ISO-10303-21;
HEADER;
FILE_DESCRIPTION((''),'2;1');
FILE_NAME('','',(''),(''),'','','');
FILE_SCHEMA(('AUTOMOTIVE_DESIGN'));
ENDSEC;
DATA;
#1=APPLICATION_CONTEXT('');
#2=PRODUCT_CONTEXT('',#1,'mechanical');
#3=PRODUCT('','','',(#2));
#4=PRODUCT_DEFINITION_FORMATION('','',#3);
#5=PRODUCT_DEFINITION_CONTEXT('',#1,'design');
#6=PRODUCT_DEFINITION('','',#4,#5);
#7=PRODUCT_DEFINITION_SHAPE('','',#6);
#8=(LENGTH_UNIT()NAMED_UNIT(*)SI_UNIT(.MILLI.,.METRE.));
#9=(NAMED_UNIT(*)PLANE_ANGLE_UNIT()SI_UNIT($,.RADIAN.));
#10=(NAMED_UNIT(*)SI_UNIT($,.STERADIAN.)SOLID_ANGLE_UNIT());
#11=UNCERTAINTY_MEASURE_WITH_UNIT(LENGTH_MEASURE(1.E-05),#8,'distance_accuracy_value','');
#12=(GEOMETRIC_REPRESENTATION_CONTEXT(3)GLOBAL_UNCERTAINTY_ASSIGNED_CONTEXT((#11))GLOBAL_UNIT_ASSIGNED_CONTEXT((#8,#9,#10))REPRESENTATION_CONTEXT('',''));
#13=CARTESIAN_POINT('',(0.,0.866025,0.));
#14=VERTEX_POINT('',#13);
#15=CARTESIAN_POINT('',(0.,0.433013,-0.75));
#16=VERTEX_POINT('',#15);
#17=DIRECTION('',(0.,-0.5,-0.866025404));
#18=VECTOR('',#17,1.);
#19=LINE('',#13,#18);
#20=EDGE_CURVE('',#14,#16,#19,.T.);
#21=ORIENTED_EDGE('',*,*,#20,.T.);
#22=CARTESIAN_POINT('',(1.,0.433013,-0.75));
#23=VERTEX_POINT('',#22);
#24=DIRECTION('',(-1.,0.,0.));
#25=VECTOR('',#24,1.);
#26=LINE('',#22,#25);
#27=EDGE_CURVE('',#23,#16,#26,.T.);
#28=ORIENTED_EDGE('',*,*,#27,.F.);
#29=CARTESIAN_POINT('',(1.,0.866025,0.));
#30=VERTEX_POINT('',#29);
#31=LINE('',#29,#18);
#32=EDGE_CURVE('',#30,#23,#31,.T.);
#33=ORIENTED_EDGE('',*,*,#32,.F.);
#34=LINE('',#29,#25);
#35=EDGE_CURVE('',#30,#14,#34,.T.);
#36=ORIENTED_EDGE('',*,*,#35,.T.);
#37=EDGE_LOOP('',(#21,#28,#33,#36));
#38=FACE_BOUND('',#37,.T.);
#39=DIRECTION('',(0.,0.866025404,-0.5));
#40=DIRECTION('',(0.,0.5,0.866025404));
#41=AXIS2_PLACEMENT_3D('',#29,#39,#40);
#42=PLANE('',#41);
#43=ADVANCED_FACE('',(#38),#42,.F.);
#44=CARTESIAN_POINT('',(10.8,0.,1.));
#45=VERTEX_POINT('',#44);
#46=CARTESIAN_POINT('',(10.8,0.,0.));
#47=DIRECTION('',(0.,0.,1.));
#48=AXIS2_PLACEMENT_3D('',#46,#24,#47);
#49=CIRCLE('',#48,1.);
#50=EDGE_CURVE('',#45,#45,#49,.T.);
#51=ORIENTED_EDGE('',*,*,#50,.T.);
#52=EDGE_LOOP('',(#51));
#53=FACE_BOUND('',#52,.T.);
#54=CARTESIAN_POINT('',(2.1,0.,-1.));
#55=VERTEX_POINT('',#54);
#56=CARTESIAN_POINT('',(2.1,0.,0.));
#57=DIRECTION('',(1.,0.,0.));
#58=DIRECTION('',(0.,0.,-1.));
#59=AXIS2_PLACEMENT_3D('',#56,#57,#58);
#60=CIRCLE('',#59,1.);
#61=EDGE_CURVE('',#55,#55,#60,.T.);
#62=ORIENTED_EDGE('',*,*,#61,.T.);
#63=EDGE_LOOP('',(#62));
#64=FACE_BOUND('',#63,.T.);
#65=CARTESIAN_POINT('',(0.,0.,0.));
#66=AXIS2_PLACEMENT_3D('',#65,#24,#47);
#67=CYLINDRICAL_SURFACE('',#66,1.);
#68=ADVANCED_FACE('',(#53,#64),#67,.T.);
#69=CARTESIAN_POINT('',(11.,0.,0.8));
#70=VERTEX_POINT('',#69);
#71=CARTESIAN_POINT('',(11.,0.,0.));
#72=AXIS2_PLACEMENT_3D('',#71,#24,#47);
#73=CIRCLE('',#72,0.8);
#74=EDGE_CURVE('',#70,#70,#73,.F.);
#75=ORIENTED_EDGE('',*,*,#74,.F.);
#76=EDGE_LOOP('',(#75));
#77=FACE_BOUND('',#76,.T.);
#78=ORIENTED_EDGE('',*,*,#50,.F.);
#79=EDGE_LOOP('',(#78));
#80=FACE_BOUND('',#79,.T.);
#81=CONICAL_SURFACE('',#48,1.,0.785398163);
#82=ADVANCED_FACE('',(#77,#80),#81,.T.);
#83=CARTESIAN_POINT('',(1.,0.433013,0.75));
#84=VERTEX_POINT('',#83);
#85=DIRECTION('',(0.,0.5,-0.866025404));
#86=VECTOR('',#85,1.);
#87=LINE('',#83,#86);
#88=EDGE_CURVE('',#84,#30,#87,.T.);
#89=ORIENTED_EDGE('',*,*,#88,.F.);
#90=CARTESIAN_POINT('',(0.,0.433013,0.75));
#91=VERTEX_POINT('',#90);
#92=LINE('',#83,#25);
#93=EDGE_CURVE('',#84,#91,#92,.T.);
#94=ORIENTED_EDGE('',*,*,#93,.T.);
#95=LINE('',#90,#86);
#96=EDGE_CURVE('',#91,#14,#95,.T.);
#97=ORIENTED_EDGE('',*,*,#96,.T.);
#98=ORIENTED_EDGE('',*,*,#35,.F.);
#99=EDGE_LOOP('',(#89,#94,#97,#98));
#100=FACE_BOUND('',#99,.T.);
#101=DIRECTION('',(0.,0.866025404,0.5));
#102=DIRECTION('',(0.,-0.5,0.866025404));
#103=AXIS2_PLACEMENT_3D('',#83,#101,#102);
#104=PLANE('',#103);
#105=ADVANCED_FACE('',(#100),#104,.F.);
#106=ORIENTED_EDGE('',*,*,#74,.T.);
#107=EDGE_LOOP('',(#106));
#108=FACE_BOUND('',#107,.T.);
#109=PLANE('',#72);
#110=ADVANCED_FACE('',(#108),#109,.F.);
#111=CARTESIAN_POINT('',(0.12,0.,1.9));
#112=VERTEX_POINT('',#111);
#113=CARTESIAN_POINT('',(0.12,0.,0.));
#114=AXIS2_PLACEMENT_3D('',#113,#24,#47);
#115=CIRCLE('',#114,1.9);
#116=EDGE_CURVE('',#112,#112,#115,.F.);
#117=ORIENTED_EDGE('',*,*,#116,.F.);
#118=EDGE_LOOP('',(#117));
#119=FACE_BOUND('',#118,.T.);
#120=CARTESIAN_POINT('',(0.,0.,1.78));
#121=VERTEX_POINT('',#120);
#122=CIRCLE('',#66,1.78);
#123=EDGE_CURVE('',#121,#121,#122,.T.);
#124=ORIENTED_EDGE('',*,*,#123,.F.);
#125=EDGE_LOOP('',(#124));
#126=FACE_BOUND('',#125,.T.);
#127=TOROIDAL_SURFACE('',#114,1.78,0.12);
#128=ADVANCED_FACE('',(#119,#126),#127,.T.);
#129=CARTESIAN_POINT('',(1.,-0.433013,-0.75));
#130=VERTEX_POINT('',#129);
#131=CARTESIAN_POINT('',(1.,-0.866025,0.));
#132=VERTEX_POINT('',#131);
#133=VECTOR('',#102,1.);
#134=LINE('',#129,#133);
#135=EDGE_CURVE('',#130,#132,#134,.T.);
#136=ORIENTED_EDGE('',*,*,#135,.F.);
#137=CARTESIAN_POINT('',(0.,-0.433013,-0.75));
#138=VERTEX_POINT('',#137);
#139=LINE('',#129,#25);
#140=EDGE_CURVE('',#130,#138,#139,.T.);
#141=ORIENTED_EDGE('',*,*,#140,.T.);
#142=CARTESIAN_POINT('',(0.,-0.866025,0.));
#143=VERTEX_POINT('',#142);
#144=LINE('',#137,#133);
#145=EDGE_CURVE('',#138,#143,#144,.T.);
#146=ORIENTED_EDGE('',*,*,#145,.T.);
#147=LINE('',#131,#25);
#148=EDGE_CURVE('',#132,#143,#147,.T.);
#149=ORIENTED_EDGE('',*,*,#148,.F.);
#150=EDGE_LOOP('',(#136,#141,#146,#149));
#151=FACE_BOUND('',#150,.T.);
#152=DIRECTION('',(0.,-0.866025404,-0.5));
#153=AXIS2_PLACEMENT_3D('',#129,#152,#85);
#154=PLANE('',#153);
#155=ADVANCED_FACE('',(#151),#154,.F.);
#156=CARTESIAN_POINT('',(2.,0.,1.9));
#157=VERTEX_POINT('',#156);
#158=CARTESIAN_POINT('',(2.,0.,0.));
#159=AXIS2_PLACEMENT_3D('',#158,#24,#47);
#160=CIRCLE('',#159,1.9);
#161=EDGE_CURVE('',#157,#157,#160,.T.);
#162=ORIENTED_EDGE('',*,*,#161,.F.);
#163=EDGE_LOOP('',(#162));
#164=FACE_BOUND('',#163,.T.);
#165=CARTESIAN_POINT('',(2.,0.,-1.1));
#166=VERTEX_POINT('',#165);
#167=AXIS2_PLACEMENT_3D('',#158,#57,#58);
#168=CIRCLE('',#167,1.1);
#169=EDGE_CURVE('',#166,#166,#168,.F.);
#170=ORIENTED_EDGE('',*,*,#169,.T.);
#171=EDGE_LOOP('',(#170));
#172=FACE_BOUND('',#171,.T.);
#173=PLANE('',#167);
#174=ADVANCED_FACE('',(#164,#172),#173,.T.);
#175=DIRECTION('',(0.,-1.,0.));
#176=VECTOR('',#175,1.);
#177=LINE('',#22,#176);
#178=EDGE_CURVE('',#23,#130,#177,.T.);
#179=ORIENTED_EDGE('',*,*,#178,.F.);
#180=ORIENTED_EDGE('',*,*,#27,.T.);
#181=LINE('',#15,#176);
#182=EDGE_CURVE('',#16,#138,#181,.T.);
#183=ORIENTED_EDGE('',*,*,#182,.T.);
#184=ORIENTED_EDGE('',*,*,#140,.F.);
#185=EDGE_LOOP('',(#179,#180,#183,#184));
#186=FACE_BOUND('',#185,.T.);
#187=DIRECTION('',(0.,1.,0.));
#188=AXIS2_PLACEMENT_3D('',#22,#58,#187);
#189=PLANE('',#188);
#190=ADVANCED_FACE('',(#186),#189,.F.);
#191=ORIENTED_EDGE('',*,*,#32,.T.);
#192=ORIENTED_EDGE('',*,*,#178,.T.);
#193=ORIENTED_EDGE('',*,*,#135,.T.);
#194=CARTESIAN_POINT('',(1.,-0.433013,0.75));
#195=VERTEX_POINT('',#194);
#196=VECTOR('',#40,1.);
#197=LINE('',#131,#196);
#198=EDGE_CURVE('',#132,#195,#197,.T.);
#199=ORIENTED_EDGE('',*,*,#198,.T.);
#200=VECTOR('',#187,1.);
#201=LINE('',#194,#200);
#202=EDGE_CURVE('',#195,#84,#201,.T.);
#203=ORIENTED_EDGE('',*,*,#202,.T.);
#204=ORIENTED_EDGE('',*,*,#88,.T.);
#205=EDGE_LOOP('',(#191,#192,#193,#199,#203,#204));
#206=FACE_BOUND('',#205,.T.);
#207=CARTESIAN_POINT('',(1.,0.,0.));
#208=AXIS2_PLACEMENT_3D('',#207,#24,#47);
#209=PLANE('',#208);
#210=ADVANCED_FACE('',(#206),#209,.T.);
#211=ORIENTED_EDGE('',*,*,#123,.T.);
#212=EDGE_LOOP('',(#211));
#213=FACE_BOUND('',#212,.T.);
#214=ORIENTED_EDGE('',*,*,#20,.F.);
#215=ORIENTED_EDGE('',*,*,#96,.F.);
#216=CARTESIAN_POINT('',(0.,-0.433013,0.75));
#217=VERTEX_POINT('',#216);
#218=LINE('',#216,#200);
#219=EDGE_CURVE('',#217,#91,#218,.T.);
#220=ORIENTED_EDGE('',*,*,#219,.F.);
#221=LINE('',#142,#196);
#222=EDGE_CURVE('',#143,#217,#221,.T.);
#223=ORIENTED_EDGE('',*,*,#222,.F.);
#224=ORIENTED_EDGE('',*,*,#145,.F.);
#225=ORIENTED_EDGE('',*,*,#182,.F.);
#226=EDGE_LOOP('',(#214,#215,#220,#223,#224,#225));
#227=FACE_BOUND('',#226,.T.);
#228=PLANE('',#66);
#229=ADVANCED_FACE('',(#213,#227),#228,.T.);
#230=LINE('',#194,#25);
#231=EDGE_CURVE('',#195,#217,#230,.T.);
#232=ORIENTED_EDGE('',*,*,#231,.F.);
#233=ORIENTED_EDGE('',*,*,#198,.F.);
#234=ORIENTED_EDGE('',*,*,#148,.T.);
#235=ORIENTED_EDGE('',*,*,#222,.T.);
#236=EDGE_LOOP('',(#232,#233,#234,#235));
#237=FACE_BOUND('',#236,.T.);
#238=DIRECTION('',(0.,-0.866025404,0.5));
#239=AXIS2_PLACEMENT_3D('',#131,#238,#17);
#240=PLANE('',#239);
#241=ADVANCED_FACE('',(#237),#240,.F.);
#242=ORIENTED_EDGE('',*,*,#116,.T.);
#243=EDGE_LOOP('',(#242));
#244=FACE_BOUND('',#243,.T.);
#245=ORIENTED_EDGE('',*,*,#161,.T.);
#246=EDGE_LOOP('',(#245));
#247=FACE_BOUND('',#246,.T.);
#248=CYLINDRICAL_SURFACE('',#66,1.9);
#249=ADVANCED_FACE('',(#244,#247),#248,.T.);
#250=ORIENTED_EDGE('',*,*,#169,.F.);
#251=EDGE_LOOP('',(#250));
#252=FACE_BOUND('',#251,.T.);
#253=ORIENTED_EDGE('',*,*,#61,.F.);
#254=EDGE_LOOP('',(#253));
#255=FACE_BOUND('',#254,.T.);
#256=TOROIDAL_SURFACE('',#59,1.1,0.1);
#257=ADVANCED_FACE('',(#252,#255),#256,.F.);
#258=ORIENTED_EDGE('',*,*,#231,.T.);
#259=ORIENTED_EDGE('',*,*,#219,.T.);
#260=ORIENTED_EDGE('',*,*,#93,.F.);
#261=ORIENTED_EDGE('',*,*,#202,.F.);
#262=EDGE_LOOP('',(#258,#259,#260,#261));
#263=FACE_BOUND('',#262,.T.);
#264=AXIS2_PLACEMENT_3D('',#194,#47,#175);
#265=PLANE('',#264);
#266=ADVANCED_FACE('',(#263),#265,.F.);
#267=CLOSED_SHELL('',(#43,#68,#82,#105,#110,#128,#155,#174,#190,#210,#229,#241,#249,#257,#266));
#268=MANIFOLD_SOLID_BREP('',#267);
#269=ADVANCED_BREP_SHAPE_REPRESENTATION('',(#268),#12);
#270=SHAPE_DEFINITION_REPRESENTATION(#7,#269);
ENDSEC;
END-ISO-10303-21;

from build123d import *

# Parameters (mm, degrees)
FILLET1_R      = 0.1
FILLET2_R      = 0.12
CHAMFER1_SIZE  = 0.2
EXTRUDE1_DEPTH = 1


with BuildPart() as part:
    # Sketch1 → Revolve1 (revolve)
    with BuildSketch(Plane.XY, mode=Mode.PRIVATE) as revolve1_sk:
        Polygon((2, 1), (2, 0), (4.279914881, 0), (11, 0), (11, 1), align=None)
        Polygon((0, 1.9), (0, 0), (2, 0), (2, 1), (2, 1.9), align=None)
    revolve(revolve1_sk.sketch.rotate(Axis((0, 0, 0), (1, 0, 0)), 90), axis=Axis((0, 0, 0), (1, 0, 0)))

    # Fillet1
    fillet1_edges = [part.edges().sort_by_distance(p)[0] for p in [
        (2, 0, -1),
    ]]
    fillet(fillet1_edges, radius=FILLET1_R)

    # Fillet2
    fillet2_edges = [part.edges().sort_by_distance(p)[0] for p in [
        (0, 0, -1.9),
    ]]
    fillet(fillet2_edges, radius=FILLET2_R)

    # Chamfer1
    chamfer1_edges = [part.edges().sort_by_distance(p)[0] for p in [
        (11, 0, -1),
    ]]
    chamfer(chamfer1_edges, length=CHAMFER1_SIZE)

    # Sketch2 → Extrude1 (cut)
    with BuildSketch(Plane.ZY):
        Polygon((0, 0.866025404), (-0.75, 0.433012702), (-0.75, -0.433012702), (0, -0.866025404), (0.75, -0.433012702), (0.75, 0.433012702), align=None)
    extrude(amount=-EXTRUDE1_DEPTH, mode=Mode.SUBTRACT)


solid = part.part
